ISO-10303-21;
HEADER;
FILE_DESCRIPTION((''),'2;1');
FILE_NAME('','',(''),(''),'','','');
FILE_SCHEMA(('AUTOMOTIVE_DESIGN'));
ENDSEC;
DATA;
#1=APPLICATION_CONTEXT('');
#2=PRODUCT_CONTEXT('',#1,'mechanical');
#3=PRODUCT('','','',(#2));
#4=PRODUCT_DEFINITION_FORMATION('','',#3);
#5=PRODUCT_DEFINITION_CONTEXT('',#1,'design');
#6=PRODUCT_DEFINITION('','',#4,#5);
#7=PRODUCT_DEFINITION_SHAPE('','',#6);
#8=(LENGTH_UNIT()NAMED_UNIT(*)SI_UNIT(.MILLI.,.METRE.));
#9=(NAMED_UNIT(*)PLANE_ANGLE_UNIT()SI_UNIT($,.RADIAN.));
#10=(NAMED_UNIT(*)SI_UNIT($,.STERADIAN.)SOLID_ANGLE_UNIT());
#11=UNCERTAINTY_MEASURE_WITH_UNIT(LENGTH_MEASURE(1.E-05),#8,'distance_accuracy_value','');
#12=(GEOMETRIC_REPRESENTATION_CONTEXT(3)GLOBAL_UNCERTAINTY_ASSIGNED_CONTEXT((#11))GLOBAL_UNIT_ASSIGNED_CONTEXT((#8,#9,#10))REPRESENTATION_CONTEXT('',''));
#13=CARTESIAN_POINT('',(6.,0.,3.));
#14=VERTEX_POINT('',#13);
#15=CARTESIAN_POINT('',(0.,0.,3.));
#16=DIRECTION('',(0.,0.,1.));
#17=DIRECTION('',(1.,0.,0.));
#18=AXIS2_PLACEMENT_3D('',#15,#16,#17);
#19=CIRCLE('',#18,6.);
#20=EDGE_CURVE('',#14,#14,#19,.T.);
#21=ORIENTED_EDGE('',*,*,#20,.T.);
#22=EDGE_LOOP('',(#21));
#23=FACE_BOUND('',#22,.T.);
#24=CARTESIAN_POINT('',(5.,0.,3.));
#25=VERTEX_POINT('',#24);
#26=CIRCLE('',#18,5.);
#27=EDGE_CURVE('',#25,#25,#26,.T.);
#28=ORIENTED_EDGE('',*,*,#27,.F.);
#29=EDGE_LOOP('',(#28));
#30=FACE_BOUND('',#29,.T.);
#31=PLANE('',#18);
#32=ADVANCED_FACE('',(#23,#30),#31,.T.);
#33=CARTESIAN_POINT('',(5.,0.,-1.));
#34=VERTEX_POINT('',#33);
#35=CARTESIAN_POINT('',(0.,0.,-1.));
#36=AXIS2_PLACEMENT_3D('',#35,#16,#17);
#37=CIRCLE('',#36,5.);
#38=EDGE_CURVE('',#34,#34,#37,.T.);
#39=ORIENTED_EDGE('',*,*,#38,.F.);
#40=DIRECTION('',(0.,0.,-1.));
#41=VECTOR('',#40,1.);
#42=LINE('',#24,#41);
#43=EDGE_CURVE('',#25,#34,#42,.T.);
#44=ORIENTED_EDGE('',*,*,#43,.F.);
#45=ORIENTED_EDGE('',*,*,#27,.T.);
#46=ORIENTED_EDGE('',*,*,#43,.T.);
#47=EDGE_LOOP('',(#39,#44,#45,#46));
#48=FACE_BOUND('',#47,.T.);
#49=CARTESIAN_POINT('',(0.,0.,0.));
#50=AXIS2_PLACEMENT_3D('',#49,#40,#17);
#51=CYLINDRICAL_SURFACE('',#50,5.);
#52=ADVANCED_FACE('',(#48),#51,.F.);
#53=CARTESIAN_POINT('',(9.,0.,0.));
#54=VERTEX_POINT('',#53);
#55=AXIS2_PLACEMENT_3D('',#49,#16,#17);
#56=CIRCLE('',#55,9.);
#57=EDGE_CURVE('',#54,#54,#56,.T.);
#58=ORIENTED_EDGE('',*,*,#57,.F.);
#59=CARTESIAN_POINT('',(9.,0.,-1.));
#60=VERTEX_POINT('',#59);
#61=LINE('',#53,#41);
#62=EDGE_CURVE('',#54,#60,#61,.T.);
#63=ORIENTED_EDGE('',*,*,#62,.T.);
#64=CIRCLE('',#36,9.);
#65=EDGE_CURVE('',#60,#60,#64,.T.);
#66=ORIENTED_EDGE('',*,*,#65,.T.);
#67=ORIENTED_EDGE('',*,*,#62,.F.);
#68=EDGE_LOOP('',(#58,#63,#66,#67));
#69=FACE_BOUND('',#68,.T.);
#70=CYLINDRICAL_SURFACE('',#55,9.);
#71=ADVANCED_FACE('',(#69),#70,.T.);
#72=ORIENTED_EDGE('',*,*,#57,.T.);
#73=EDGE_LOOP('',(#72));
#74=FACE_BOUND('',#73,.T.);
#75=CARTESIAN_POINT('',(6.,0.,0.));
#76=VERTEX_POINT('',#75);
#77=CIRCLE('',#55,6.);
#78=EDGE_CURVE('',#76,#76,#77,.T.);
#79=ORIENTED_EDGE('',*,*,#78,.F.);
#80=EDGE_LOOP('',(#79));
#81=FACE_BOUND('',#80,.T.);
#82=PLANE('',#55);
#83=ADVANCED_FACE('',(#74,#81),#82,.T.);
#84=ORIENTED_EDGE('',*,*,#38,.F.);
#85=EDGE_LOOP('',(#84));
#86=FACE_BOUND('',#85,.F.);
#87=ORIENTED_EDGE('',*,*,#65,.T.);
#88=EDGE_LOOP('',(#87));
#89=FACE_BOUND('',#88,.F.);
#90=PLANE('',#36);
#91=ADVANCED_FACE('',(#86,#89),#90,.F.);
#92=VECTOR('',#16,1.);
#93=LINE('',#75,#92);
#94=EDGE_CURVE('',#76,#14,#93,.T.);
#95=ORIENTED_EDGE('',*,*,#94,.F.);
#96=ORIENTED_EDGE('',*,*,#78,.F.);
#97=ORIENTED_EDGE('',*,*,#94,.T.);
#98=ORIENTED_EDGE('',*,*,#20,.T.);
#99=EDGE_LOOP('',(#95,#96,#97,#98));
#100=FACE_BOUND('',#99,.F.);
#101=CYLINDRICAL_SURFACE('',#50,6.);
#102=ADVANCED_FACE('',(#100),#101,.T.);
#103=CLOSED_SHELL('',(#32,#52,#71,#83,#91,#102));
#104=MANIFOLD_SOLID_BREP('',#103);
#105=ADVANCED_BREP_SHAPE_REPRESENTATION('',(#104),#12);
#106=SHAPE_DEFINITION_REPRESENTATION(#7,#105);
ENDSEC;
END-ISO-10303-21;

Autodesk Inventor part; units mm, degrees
ref_plane "YZ Plane" through (0, 0, 0) normal (1, 0, 0) x (0, 1, 0)
ref_plane "XZ Plane" through (0, 0, 0) normal (0, 1, 0) x (-1, 0, 0)
ref_plane "XY Plane" through (0, 0, 0) normal (0, 0, 1) x (1, 0, 0)
sketch "スケッチ1" plane through (0, 0, 0) normal (0, 0, 1) x (1, 0, 0)
  circle A0 centre (0, 0) radius 5
  circle A1 centre (0, 0) radius 6
  circle A2 centre (0, 0) radius 9
  dimension "d0" = 10
  dimension "d1" = 12
  dimension "d2" = 18
extrude "押し出し1" add sketch "スケッチ1" along normal blind 3 contours A1
extrude "押し出し2" add sketch "スケッチ1" against normal blind 1 contours A1 | A2
properties part number "オイレス10-12-3 フランジ付き" material "アセタール樹脂、黒"
